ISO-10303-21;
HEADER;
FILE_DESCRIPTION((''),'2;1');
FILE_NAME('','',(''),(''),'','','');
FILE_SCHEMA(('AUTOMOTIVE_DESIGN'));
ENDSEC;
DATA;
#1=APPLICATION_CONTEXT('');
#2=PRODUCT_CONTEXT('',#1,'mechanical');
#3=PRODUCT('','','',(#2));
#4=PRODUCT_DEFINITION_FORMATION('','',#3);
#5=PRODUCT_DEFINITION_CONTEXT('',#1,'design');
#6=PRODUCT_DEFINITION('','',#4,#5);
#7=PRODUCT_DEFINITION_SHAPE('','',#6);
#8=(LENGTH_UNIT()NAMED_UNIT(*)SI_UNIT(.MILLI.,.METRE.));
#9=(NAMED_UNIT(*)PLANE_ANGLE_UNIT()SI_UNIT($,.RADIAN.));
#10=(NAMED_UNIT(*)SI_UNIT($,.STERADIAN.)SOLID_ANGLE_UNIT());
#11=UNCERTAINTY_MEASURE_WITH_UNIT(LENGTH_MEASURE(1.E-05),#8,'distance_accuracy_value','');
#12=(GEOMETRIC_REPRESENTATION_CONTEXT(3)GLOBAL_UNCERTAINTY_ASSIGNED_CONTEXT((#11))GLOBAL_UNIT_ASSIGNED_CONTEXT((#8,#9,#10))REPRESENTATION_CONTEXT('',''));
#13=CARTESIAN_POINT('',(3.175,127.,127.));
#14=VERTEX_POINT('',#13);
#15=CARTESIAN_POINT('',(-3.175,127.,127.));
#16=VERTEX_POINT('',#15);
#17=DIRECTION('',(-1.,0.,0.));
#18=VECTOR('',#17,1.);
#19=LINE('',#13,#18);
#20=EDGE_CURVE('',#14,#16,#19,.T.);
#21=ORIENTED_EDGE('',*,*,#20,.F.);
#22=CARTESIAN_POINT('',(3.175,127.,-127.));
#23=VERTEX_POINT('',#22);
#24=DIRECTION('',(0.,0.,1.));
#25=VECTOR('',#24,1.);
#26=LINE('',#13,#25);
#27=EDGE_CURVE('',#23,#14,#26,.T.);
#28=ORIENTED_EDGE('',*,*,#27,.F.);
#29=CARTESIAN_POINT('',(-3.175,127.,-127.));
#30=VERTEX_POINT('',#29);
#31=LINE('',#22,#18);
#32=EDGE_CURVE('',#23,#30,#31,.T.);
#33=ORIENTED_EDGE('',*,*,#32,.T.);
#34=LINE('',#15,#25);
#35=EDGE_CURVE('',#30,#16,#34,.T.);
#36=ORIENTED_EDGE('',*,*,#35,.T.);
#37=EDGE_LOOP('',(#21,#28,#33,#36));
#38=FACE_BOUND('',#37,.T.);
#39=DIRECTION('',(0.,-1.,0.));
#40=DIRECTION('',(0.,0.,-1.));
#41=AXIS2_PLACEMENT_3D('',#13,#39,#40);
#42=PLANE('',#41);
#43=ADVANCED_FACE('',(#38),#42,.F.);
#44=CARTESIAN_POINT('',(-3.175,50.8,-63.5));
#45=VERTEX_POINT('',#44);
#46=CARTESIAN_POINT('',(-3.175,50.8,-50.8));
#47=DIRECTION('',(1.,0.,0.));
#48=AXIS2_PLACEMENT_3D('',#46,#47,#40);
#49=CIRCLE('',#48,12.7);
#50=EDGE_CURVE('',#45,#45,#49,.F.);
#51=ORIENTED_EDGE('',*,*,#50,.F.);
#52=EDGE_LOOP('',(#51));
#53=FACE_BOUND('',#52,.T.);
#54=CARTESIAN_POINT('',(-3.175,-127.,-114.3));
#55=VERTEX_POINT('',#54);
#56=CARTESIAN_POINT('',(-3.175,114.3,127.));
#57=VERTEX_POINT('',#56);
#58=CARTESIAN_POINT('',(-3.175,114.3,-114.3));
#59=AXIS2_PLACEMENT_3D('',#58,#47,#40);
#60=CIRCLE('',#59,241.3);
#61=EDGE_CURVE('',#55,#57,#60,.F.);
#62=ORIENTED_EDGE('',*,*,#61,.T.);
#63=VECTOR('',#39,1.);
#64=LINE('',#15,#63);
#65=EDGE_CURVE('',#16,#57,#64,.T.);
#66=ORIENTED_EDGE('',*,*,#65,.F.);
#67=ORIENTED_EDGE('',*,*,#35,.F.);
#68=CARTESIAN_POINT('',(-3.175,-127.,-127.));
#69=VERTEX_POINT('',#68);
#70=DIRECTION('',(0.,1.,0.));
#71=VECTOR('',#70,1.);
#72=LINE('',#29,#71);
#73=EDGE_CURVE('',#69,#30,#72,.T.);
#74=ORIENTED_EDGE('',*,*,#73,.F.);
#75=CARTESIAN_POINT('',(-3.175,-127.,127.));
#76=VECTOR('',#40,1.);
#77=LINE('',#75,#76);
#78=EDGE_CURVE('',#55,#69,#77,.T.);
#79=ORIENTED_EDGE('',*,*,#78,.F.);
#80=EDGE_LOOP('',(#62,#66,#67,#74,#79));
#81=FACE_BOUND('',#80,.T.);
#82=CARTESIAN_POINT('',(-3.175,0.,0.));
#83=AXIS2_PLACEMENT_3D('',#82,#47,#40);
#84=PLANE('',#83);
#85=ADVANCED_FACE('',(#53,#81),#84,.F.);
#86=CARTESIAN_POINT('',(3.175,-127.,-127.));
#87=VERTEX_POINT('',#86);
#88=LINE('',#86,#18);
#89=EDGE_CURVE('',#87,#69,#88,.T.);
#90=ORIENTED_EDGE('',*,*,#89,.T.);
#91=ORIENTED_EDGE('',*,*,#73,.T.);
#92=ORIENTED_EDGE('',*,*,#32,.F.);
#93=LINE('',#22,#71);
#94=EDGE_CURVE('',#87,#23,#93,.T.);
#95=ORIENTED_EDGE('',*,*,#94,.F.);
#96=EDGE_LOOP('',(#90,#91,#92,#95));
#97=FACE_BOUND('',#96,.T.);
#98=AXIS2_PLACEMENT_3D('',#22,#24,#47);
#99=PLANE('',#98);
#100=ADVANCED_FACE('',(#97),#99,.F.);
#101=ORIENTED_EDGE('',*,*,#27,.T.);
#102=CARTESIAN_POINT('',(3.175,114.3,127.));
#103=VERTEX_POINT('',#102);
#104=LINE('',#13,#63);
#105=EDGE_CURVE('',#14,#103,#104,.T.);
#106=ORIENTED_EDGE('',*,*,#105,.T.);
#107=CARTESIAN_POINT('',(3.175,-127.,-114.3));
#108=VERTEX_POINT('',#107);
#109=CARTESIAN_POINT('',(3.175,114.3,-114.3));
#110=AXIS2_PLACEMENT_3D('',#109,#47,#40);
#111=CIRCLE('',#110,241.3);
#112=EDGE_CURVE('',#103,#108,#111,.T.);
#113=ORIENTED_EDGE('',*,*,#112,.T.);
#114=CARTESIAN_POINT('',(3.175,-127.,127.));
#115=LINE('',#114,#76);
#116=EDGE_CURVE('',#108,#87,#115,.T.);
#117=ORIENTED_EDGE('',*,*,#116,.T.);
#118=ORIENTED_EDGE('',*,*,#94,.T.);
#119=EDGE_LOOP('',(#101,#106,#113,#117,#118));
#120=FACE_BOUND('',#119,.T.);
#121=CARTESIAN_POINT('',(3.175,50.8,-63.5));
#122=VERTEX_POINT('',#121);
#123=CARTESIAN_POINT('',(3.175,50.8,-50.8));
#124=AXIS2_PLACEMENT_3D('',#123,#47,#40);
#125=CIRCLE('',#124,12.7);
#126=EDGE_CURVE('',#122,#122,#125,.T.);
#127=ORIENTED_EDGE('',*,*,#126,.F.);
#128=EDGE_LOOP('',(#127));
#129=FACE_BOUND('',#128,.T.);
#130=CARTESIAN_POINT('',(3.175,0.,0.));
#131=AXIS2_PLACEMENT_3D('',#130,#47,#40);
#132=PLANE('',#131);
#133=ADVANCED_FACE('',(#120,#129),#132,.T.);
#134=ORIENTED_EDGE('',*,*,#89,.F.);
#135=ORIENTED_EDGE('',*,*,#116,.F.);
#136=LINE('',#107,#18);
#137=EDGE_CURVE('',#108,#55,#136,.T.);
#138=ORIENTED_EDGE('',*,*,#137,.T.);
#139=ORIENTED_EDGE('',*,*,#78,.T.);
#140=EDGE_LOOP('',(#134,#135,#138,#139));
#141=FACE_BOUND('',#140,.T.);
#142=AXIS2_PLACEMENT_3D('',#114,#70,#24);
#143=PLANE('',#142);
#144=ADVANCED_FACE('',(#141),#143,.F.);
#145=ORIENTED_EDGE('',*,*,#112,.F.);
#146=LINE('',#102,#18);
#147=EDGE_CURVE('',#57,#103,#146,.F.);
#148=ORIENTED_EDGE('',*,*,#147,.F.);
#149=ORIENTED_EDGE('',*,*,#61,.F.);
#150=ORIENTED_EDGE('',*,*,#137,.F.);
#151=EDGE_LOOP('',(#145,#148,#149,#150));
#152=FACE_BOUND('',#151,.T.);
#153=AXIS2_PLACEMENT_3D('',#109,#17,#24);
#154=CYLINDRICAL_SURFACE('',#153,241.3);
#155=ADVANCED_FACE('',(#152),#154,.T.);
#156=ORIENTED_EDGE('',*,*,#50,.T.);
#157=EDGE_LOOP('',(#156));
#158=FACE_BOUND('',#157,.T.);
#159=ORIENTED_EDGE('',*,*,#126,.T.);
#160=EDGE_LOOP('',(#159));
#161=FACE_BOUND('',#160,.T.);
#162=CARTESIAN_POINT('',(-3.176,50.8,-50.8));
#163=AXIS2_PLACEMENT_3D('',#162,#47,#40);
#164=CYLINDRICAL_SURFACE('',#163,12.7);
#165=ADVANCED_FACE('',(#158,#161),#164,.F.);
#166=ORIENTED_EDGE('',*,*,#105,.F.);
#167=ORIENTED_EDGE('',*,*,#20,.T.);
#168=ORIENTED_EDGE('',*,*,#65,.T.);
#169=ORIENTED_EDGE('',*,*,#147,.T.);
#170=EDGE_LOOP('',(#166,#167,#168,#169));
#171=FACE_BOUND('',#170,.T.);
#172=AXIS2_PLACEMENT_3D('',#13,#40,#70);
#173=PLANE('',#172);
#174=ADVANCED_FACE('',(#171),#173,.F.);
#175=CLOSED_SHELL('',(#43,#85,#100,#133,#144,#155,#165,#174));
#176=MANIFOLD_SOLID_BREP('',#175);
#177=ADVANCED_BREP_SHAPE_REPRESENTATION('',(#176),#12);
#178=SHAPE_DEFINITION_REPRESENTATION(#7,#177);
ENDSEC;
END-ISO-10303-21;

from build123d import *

# Parameters (mm, degrees)
SKETCH1_W           = 254
SKETCH1_H           = 254
BOSS_EXTRUDE1_DEPTH = 3.175
FILLET1_R           = 241.3
CUT_EXTRUDE1_REACH  = 8.35
SKETCH2_R           = 12.7


with BuildPart() as part:
    # Sketch1 → Boss-Extrude1 (new body, symmetric)
    with BuildSketch(Plane(origin=(0, 0, 0), x_dir=(0, 0, -1), z_dir=(1, 0, 0))):
        Rectangle(SKETCH1_W, SKETCH1_H)
    extrude(amount=BOSS_EXTRUDE1_DEPTH, both=True)

    # Fillet1
    fillet1_edges = [part.edges().sort_by_distance(p)[0] for p in [
        (0, -127, 127),
    ]]
    fillet(fillet1_edges, radius=FILLET1_R)

    # Sketch2 → Cut-Extrude1 (cut, up to next)
    with BuildSketch(Plane(origin=(3.175, 0, 0), x_dir=(0, 0, -1), z_dir=(1, 0, 0)), mode=Mode.PRIVATE) as cut_extrude1_sk1:
        with Locations((50.8, 50.8)):
            Circle(SKETCH2_R)
    cut_extrude1_tool1 = extrude(cut_extrude1_sk1.sketch, amount=-CUT_EXTRUDE1_REACH, mode=Mode.PRIVATE) & part.part
    add(cut_extrude1_tool1.solids().sort_by_distance((3.175, 50.8, -50.8))[0], mode=Mode.SUBTRACT)


solid = part.part
